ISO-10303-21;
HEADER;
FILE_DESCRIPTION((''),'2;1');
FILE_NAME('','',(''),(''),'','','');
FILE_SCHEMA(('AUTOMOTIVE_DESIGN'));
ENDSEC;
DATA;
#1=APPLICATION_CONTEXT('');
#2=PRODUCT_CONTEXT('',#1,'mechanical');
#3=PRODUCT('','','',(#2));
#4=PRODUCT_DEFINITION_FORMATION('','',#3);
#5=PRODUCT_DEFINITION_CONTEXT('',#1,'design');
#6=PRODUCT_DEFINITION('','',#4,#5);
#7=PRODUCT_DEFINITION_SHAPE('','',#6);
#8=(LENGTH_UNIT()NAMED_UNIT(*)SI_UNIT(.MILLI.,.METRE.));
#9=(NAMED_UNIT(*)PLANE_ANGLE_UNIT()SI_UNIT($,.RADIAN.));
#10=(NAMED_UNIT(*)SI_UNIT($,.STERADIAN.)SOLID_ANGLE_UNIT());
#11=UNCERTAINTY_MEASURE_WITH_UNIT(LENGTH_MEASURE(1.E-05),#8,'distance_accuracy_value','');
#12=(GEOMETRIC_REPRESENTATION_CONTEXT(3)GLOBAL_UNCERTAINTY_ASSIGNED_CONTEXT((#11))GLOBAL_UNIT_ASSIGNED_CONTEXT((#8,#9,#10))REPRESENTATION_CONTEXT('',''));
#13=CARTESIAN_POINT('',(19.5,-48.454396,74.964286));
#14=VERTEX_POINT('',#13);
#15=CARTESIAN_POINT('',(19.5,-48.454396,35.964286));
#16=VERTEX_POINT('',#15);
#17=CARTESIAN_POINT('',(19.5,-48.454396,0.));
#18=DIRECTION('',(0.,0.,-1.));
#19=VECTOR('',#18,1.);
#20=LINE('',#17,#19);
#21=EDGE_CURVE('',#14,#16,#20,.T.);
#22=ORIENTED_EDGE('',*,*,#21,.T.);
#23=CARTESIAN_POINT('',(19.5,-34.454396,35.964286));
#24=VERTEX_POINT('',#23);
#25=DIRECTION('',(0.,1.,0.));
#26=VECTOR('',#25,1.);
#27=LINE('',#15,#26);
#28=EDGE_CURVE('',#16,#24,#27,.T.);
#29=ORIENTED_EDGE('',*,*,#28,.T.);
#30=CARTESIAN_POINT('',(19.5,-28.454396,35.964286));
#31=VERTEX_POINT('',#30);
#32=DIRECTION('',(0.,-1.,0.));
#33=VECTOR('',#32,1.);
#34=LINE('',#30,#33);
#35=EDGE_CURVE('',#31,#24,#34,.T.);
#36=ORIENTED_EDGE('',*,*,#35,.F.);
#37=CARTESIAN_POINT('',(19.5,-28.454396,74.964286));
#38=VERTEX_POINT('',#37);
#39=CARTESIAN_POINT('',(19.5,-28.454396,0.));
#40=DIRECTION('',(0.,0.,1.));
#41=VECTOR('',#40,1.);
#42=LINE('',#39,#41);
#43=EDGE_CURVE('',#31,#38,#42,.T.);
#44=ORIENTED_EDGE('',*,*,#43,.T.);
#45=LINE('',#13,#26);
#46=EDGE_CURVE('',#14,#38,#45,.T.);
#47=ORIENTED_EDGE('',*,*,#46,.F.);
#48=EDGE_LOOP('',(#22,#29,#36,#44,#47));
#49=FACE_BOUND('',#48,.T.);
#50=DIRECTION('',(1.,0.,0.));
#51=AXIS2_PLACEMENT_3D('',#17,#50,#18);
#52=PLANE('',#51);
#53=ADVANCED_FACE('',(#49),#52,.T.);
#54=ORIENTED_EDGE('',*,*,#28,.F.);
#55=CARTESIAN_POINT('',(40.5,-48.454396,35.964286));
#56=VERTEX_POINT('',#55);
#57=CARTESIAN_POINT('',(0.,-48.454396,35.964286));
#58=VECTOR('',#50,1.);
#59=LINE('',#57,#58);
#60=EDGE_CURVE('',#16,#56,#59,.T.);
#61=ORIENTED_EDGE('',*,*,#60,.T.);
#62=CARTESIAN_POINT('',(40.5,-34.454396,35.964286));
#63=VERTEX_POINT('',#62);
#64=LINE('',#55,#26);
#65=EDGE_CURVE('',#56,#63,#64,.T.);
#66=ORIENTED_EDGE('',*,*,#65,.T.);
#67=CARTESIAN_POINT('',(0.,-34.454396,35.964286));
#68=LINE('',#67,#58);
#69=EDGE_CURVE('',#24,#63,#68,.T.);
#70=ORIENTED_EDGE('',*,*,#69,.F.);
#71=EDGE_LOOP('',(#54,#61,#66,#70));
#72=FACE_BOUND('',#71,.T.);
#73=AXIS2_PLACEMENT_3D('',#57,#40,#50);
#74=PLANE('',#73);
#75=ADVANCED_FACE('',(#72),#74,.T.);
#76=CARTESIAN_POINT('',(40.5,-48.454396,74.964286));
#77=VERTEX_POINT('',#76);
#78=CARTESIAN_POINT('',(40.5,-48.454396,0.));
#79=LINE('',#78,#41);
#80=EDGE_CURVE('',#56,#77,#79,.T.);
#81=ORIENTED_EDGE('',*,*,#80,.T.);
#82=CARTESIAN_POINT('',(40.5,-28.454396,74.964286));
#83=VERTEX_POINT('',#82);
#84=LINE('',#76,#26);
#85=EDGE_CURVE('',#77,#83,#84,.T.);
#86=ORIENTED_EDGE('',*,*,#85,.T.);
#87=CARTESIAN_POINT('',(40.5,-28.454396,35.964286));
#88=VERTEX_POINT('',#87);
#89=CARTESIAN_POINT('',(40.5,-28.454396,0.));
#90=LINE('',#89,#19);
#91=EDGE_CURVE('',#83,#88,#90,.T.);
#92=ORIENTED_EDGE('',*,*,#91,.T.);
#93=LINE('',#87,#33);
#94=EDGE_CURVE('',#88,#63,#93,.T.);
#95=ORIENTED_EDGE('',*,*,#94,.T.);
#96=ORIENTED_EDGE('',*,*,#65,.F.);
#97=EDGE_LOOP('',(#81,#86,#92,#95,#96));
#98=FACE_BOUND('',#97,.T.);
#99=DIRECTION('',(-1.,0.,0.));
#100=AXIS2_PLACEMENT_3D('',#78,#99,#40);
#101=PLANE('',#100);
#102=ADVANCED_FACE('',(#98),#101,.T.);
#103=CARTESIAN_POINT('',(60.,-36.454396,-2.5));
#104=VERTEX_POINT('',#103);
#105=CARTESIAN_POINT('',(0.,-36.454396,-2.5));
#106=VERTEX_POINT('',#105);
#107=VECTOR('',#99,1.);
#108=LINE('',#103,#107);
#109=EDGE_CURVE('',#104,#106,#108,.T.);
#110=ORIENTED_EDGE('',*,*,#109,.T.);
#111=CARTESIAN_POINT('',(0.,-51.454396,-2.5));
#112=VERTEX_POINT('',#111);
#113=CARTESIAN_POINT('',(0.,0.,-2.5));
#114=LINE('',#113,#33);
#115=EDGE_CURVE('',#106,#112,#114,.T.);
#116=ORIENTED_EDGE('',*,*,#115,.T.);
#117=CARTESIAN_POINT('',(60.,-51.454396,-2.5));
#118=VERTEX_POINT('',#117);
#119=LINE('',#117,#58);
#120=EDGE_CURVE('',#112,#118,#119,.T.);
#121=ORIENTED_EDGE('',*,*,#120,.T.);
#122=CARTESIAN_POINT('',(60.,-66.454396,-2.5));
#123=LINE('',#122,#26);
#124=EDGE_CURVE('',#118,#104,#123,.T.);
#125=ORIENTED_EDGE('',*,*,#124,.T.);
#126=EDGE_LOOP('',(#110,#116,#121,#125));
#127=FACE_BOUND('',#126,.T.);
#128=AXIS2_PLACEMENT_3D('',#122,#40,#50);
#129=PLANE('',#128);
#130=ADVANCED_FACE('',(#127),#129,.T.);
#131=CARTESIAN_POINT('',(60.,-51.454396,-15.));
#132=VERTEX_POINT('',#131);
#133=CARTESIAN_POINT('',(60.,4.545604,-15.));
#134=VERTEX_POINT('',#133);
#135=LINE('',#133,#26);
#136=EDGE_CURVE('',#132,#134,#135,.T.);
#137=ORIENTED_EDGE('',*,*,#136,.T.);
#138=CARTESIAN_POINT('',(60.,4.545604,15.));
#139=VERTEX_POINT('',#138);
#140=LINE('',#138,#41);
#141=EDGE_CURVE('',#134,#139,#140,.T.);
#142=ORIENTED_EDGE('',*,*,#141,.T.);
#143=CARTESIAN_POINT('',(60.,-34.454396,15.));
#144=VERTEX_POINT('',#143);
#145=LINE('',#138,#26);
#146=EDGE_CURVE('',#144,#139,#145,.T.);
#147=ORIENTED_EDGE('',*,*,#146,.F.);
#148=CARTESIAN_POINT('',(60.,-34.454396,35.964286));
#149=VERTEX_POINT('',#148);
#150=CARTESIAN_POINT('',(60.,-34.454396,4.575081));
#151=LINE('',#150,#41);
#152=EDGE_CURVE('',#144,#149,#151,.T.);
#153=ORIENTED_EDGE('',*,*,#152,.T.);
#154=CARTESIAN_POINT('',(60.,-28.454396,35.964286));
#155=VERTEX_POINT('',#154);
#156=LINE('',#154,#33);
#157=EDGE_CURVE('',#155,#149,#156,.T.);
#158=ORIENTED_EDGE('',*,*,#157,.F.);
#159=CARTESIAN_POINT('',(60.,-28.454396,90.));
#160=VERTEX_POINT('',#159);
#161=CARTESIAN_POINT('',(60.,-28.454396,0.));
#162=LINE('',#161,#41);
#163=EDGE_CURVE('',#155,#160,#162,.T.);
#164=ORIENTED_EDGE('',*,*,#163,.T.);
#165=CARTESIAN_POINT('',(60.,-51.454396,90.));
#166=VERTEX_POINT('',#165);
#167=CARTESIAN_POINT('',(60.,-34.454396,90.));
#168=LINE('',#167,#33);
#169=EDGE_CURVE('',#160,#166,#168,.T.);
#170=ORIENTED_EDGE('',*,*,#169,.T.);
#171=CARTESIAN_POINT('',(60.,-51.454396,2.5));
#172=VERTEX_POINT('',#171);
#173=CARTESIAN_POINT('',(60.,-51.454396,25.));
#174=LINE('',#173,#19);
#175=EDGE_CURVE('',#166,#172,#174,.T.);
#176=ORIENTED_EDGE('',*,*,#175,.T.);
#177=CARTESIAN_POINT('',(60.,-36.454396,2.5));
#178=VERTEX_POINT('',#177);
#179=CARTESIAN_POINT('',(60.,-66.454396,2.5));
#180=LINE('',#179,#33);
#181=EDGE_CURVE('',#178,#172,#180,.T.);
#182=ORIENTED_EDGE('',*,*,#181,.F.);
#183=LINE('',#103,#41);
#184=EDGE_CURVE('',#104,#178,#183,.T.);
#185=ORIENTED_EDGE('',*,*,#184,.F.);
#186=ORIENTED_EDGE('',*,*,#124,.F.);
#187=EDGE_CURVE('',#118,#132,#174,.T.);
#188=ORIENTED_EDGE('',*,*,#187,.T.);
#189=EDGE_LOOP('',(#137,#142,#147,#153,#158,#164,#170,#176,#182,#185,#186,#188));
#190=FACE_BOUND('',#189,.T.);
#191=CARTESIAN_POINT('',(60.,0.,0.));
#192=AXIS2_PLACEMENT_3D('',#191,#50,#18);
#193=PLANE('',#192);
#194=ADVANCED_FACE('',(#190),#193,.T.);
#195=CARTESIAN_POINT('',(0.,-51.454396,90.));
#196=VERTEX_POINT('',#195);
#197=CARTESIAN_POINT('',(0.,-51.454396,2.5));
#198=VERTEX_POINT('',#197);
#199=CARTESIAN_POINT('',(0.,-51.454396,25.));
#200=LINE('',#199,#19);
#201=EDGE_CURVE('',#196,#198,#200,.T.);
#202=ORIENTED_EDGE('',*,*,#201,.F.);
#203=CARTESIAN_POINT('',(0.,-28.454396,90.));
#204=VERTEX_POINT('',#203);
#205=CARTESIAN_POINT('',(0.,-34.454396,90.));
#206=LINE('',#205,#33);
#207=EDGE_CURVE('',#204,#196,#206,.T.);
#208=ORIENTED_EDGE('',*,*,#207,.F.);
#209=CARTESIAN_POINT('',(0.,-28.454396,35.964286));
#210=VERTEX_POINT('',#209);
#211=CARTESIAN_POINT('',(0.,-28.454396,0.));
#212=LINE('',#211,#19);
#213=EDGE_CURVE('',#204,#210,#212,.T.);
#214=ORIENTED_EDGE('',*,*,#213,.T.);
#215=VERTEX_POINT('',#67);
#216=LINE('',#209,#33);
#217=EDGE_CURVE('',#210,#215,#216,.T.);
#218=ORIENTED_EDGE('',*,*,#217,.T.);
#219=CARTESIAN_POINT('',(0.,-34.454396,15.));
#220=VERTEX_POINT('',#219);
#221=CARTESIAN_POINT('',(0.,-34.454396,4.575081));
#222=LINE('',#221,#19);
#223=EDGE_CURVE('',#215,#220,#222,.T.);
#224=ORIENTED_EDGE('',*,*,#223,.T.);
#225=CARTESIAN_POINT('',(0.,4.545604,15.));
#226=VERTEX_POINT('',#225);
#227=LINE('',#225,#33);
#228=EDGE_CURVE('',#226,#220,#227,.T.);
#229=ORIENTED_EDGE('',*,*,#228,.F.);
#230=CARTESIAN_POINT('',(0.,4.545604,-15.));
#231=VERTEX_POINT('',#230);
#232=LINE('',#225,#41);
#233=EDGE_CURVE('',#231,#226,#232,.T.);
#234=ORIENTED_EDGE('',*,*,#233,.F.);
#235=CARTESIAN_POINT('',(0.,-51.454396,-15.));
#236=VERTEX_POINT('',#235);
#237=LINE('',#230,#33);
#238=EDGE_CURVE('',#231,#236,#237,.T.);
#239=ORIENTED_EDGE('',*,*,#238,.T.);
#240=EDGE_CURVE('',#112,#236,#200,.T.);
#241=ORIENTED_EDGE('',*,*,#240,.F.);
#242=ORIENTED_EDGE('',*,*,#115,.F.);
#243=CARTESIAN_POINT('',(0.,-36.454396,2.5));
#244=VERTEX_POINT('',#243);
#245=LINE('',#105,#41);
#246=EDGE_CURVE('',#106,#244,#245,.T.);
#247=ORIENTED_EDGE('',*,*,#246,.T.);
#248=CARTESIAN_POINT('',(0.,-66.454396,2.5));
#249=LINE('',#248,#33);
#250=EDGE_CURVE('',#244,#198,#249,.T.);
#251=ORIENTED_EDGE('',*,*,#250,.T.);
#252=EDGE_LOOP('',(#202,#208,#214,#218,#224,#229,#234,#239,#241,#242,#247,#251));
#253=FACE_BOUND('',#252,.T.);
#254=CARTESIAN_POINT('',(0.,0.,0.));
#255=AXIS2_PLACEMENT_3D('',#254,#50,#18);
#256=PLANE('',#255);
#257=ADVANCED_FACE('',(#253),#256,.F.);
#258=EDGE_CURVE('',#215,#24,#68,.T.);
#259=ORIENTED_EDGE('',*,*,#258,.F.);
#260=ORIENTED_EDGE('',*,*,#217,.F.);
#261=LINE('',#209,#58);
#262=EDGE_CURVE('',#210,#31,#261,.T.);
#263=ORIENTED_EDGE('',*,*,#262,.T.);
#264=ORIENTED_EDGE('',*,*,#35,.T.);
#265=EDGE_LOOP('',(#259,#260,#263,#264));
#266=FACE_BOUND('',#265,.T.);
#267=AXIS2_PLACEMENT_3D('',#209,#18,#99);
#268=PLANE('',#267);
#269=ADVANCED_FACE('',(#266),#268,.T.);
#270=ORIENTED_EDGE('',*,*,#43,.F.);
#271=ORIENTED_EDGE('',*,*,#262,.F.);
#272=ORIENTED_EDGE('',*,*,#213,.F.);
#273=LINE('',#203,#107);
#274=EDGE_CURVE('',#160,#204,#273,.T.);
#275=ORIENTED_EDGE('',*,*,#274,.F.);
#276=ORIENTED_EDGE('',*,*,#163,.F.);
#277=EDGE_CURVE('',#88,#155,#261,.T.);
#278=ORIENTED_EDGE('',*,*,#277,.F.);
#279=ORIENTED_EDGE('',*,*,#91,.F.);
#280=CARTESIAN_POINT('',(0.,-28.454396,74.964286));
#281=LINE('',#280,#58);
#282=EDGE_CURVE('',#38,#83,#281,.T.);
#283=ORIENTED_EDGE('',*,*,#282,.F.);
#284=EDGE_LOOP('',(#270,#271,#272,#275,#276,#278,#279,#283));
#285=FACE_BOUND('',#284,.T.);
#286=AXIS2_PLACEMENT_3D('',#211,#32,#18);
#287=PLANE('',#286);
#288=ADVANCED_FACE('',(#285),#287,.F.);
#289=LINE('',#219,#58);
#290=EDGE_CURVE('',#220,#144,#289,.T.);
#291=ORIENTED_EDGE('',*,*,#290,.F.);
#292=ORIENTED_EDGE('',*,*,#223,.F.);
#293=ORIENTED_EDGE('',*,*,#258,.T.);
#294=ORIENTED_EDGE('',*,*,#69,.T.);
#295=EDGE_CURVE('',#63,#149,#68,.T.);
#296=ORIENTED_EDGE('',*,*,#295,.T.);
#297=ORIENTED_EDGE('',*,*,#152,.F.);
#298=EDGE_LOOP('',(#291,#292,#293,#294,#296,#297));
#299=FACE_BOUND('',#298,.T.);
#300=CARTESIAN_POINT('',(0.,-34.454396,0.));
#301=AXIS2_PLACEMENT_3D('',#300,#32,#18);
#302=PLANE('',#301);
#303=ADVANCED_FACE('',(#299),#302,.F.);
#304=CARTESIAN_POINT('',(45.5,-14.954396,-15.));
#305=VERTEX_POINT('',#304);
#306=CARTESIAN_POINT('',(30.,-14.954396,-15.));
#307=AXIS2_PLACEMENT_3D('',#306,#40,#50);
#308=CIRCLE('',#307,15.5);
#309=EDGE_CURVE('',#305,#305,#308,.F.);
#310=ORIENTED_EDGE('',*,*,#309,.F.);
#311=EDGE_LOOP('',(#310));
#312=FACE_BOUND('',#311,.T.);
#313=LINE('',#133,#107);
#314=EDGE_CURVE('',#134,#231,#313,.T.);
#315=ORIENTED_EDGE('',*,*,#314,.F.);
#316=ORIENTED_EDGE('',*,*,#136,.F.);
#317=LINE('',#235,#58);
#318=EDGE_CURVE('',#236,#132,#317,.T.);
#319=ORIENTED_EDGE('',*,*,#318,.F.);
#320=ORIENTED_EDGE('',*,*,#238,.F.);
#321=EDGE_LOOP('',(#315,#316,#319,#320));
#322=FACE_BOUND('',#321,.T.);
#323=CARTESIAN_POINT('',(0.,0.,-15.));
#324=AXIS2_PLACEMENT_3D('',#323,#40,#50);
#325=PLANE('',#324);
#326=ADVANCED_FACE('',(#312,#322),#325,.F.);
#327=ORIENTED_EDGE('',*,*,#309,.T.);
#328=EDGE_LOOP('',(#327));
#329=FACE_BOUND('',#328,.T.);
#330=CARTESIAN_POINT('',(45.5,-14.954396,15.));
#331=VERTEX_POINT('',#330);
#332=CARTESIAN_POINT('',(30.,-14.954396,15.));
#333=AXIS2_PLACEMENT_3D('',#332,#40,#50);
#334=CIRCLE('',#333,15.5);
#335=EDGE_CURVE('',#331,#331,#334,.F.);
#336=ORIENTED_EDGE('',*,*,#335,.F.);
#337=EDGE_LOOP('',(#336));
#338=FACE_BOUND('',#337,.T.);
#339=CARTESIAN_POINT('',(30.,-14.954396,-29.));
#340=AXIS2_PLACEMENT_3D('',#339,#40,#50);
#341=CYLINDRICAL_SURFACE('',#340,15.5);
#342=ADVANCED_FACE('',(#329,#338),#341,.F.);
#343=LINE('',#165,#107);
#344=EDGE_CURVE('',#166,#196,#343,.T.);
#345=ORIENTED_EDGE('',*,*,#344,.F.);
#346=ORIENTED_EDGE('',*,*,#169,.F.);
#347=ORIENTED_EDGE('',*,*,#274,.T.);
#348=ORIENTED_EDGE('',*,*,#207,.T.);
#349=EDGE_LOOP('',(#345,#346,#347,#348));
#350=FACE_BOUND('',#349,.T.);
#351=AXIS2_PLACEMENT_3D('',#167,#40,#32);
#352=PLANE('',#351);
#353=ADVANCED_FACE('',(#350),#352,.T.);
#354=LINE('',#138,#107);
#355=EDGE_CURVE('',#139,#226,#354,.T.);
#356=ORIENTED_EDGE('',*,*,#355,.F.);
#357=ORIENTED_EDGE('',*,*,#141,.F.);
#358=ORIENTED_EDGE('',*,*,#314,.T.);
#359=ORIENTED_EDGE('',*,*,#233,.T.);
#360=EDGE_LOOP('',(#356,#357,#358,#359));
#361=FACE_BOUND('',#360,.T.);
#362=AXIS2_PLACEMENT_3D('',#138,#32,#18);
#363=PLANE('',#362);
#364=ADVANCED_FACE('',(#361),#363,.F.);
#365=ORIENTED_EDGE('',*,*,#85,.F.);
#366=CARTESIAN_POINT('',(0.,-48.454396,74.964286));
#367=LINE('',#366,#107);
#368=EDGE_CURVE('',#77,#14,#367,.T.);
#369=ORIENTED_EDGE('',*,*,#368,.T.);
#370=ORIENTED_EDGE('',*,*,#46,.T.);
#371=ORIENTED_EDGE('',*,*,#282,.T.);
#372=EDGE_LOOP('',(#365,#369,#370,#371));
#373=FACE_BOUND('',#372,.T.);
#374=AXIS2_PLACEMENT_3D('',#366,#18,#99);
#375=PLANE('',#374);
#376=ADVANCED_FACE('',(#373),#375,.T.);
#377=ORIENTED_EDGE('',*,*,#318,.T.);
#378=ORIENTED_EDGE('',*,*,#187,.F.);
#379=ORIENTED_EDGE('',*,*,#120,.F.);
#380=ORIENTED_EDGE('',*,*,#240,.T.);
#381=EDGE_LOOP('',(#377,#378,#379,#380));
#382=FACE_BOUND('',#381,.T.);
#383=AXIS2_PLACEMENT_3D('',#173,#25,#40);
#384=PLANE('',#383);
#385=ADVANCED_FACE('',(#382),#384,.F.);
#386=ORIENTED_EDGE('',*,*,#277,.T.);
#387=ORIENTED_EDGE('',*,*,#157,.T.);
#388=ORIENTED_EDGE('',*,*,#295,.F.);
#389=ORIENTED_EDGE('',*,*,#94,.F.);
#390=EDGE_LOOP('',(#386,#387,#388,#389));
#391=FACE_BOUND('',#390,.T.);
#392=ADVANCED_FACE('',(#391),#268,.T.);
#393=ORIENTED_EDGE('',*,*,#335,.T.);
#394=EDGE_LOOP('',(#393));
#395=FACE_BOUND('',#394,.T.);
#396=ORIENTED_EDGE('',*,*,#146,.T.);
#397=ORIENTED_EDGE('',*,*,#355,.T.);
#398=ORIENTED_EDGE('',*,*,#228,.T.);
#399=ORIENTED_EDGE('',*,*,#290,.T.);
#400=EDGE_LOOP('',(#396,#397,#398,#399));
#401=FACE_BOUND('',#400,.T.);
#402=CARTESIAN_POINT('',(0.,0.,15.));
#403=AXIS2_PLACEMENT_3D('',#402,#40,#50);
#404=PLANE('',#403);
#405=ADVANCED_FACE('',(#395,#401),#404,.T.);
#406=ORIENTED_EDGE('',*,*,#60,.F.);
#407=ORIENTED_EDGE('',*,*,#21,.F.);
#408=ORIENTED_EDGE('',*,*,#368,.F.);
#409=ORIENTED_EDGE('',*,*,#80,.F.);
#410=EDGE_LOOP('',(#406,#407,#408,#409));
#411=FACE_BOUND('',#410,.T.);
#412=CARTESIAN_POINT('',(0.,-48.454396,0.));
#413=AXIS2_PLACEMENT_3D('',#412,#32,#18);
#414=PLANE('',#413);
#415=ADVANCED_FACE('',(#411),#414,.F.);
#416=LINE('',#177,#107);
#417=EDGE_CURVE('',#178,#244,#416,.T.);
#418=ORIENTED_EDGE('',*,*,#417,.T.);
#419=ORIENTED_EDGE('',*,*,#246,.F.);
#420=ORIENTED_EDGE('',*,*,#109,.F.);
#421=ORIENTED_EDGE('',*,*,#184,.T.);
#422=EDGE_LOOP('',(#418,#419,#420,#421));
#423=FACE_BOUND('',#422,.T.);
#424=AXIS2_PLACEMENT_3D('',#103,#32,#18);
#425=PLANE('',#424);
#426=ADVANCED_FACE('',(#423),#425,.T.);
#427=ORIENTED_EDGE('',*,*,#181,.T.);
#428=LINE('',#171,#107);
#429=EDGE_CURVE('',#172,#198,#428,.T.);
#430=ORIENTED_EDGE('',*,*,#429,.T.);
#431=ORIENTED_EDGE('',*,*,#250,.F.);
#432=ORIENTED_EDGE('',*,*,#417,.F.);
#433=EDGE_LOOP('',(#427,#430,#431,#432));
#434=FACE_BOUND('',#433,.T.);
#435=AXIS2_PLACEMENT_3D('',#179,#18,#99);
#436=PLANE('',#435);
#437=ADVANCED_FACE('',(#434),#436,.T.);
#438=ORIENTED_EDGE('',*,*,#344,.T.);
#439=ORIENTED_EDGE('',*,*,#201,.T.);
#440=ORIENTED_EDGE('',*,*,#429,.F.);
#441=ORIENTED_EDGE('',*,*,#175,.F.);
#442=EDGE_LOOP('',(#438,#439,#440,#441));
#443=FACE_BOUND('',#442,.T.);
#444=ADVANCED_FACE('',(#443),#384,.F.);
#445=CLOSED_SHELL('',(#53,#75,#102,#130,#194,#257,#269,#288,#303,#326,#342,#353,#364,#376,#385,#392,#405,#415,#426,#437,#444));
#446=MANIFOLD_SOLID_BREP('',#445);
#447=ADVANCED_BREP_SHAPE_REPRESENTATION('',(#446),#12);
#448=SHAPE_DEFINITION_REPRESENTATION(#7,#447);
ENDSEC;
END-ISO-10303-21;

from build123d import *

# Parameters (mm, degrees)
EXTRUDE_1_DEPTH          = 60
CUT_EXTRUDE_1_DEPTH      = 40
CUT_EXTRUDE_1_DEPTH_BACK = 29
SKETCH_4_R               = 15.5
SKETCH_5_W               = 5
SKETCH_5_H               = 30
CUT_EXTRUDE_2_DEPTH      = 83.900874001
SKETCH_7_W               = 60
SKETCH_7_H               = 85.424918669
EXTRUDE_2_DEPTH          = 17
CUT_EXTRUDE_START        = -34.454396
SKETCH_9_W               = 21
SKETCH_9_H               = 39
CUT_EXTRUDE_3_DEPTH      = 14
CUT_EXTRUDE_START_2      = -15
SKETCH_14_W              = 60
SKETCH_14_H              = 56
CUT_EXTRUDE_8_DEPTH      = 10
CUT_EXTRUDE_START_3      = 15
SKETCH_16_W              = 60
SKETCH_16_H              = 39
CUT_EXTRUDE_11_DEPTH     = 10
EXTRUDE_START            = -34.454396
EXTRUDE_5_DEPTH          = 6


with BuildPart() as part:
    # 스케치3 → 보스-돌출1 (new body)
    with BuildSketch(Plane(origin=(0, 0, 0), x_dir=(0, 0, -1), z_dir=(1, 0, 0))):
        Polygon((-25, -51.454396413), (25, -51.454396413), (15, 4.545603587), (-15, 4.545603587), align=None)
    extrude(amount=EXTRUDE_1_DEPTH)

    # 스케치4 → 컷-돌출1 (cut, two sides: drawn at the far end of the back side and taken through both)
    with BuildSketch(Plane.XY.offset(-CUT_EXTRUDE_1_DEPTH_BACK)):
        with Locations(Location((30, -14.954396413, 0), (0, 0, 90))):
            Circle(SKETCH_4_R)
    extrude(amount=CUT_EXTRUDE_1_DEPTH + CUT_EXTRUDE_1_DEPTH_BACK, mode=Mode.SUBTRACT)

    # 스케치5 → 컷-돌출2 (cut, through all)
    with BuildSketch(Plane(origin=(0, 0, 0), x_dir=(0, 0, -1), z_dir=(1, 0, 0))):
        with Locations((0, -51.454396413)):
            Rectangle(SKETCH_5_W, SKETCH_5_H)
    extrude(amount=CUT_EXTRUDE_2_DEPTH, mode=Mode.SUBTRACT)

    # 스케치7 → 보스-돌출2 (add)
    with BuildSketch(Plane(origin=(0, -51.454396413, 0), x_dir=(-1, 0, 0), z_dir=(0, -1, 0))):
        with Locations((-30, -47.287540666)):
            Rectangle(SKETCH_7_W, SKETCH_7_H)
    extrude(amount=-EXTRUDE_2_DEPTH)

    # 스케치9 → 컷-돌출3 (cut)
    with BuildSketch(Plane(origin=(0, 0, 0), x_dir=(1, 0, 0), z_dir=(0, 1, 0)).offset(CUT_EXTRUDE_START)):
        with Locations((30, -55.464285714)):
            Rectangle(SKETCH_9_W, SKETCH_9_H)
    extrude(amount=-CUT_EXTRUDE_3_DEPTH, mode=Mode.SUBTRACT)

    # 스케치14 → 컷-돌출8 (cut)
    with BuildSketch(Plane.XY.offset(CUT_EXTRUDE_START_2)):
        with Locations((30, -23.454396413)):
            Rectangle(SKETCH_14_W, SKETCH_14_H)
    extrude(amount=-CUT_EXTRUDE_8_DEPTH, mode=Mode.SUBTRACT)

    # 스케치16 → 컷-돌출11 (cut)
    with BuildSketch(Plane.XY.offset(CUT_EXTRUDE_START_3)):
        with Locations((30, -14.954396413)):
            Rectangle(SKETCH_16_W, SKETCH_16_H)
    extrude(amount=CUT_EXTRUDE_11_DEPTH, mode=Mode.SUBTRACT)


with BuildPart() as extrude_5_tool:
    # 스케치17 → 보스-돌출5 (new body)
    with BuildSketch(Plane(origin=(0, 0, 0), x_dir=(1, 0, 0), z_dir=(0, 1, 0)).offset(EXTRUDE_START)):
        Polygon((19.5, -35.964285714), (0, -35.964285714), (0, -90), (60, -90), (60, -35.964285714), (40.5, -35.964285714), (40.5, -74.964285714), (19.5, -74.964285714), align=None)
    extrude(amount=EXTRUDE_5_DEPTH)


with BuildPart() as part_1:
    add(part.part)


with BuildPart() as part_2:
    # 보스-돌출5: joined with extrude_5_tool
    add(part_1.part.fuse(extrude_5_tool.part, tol=0.00001))


solid = part_2.part
